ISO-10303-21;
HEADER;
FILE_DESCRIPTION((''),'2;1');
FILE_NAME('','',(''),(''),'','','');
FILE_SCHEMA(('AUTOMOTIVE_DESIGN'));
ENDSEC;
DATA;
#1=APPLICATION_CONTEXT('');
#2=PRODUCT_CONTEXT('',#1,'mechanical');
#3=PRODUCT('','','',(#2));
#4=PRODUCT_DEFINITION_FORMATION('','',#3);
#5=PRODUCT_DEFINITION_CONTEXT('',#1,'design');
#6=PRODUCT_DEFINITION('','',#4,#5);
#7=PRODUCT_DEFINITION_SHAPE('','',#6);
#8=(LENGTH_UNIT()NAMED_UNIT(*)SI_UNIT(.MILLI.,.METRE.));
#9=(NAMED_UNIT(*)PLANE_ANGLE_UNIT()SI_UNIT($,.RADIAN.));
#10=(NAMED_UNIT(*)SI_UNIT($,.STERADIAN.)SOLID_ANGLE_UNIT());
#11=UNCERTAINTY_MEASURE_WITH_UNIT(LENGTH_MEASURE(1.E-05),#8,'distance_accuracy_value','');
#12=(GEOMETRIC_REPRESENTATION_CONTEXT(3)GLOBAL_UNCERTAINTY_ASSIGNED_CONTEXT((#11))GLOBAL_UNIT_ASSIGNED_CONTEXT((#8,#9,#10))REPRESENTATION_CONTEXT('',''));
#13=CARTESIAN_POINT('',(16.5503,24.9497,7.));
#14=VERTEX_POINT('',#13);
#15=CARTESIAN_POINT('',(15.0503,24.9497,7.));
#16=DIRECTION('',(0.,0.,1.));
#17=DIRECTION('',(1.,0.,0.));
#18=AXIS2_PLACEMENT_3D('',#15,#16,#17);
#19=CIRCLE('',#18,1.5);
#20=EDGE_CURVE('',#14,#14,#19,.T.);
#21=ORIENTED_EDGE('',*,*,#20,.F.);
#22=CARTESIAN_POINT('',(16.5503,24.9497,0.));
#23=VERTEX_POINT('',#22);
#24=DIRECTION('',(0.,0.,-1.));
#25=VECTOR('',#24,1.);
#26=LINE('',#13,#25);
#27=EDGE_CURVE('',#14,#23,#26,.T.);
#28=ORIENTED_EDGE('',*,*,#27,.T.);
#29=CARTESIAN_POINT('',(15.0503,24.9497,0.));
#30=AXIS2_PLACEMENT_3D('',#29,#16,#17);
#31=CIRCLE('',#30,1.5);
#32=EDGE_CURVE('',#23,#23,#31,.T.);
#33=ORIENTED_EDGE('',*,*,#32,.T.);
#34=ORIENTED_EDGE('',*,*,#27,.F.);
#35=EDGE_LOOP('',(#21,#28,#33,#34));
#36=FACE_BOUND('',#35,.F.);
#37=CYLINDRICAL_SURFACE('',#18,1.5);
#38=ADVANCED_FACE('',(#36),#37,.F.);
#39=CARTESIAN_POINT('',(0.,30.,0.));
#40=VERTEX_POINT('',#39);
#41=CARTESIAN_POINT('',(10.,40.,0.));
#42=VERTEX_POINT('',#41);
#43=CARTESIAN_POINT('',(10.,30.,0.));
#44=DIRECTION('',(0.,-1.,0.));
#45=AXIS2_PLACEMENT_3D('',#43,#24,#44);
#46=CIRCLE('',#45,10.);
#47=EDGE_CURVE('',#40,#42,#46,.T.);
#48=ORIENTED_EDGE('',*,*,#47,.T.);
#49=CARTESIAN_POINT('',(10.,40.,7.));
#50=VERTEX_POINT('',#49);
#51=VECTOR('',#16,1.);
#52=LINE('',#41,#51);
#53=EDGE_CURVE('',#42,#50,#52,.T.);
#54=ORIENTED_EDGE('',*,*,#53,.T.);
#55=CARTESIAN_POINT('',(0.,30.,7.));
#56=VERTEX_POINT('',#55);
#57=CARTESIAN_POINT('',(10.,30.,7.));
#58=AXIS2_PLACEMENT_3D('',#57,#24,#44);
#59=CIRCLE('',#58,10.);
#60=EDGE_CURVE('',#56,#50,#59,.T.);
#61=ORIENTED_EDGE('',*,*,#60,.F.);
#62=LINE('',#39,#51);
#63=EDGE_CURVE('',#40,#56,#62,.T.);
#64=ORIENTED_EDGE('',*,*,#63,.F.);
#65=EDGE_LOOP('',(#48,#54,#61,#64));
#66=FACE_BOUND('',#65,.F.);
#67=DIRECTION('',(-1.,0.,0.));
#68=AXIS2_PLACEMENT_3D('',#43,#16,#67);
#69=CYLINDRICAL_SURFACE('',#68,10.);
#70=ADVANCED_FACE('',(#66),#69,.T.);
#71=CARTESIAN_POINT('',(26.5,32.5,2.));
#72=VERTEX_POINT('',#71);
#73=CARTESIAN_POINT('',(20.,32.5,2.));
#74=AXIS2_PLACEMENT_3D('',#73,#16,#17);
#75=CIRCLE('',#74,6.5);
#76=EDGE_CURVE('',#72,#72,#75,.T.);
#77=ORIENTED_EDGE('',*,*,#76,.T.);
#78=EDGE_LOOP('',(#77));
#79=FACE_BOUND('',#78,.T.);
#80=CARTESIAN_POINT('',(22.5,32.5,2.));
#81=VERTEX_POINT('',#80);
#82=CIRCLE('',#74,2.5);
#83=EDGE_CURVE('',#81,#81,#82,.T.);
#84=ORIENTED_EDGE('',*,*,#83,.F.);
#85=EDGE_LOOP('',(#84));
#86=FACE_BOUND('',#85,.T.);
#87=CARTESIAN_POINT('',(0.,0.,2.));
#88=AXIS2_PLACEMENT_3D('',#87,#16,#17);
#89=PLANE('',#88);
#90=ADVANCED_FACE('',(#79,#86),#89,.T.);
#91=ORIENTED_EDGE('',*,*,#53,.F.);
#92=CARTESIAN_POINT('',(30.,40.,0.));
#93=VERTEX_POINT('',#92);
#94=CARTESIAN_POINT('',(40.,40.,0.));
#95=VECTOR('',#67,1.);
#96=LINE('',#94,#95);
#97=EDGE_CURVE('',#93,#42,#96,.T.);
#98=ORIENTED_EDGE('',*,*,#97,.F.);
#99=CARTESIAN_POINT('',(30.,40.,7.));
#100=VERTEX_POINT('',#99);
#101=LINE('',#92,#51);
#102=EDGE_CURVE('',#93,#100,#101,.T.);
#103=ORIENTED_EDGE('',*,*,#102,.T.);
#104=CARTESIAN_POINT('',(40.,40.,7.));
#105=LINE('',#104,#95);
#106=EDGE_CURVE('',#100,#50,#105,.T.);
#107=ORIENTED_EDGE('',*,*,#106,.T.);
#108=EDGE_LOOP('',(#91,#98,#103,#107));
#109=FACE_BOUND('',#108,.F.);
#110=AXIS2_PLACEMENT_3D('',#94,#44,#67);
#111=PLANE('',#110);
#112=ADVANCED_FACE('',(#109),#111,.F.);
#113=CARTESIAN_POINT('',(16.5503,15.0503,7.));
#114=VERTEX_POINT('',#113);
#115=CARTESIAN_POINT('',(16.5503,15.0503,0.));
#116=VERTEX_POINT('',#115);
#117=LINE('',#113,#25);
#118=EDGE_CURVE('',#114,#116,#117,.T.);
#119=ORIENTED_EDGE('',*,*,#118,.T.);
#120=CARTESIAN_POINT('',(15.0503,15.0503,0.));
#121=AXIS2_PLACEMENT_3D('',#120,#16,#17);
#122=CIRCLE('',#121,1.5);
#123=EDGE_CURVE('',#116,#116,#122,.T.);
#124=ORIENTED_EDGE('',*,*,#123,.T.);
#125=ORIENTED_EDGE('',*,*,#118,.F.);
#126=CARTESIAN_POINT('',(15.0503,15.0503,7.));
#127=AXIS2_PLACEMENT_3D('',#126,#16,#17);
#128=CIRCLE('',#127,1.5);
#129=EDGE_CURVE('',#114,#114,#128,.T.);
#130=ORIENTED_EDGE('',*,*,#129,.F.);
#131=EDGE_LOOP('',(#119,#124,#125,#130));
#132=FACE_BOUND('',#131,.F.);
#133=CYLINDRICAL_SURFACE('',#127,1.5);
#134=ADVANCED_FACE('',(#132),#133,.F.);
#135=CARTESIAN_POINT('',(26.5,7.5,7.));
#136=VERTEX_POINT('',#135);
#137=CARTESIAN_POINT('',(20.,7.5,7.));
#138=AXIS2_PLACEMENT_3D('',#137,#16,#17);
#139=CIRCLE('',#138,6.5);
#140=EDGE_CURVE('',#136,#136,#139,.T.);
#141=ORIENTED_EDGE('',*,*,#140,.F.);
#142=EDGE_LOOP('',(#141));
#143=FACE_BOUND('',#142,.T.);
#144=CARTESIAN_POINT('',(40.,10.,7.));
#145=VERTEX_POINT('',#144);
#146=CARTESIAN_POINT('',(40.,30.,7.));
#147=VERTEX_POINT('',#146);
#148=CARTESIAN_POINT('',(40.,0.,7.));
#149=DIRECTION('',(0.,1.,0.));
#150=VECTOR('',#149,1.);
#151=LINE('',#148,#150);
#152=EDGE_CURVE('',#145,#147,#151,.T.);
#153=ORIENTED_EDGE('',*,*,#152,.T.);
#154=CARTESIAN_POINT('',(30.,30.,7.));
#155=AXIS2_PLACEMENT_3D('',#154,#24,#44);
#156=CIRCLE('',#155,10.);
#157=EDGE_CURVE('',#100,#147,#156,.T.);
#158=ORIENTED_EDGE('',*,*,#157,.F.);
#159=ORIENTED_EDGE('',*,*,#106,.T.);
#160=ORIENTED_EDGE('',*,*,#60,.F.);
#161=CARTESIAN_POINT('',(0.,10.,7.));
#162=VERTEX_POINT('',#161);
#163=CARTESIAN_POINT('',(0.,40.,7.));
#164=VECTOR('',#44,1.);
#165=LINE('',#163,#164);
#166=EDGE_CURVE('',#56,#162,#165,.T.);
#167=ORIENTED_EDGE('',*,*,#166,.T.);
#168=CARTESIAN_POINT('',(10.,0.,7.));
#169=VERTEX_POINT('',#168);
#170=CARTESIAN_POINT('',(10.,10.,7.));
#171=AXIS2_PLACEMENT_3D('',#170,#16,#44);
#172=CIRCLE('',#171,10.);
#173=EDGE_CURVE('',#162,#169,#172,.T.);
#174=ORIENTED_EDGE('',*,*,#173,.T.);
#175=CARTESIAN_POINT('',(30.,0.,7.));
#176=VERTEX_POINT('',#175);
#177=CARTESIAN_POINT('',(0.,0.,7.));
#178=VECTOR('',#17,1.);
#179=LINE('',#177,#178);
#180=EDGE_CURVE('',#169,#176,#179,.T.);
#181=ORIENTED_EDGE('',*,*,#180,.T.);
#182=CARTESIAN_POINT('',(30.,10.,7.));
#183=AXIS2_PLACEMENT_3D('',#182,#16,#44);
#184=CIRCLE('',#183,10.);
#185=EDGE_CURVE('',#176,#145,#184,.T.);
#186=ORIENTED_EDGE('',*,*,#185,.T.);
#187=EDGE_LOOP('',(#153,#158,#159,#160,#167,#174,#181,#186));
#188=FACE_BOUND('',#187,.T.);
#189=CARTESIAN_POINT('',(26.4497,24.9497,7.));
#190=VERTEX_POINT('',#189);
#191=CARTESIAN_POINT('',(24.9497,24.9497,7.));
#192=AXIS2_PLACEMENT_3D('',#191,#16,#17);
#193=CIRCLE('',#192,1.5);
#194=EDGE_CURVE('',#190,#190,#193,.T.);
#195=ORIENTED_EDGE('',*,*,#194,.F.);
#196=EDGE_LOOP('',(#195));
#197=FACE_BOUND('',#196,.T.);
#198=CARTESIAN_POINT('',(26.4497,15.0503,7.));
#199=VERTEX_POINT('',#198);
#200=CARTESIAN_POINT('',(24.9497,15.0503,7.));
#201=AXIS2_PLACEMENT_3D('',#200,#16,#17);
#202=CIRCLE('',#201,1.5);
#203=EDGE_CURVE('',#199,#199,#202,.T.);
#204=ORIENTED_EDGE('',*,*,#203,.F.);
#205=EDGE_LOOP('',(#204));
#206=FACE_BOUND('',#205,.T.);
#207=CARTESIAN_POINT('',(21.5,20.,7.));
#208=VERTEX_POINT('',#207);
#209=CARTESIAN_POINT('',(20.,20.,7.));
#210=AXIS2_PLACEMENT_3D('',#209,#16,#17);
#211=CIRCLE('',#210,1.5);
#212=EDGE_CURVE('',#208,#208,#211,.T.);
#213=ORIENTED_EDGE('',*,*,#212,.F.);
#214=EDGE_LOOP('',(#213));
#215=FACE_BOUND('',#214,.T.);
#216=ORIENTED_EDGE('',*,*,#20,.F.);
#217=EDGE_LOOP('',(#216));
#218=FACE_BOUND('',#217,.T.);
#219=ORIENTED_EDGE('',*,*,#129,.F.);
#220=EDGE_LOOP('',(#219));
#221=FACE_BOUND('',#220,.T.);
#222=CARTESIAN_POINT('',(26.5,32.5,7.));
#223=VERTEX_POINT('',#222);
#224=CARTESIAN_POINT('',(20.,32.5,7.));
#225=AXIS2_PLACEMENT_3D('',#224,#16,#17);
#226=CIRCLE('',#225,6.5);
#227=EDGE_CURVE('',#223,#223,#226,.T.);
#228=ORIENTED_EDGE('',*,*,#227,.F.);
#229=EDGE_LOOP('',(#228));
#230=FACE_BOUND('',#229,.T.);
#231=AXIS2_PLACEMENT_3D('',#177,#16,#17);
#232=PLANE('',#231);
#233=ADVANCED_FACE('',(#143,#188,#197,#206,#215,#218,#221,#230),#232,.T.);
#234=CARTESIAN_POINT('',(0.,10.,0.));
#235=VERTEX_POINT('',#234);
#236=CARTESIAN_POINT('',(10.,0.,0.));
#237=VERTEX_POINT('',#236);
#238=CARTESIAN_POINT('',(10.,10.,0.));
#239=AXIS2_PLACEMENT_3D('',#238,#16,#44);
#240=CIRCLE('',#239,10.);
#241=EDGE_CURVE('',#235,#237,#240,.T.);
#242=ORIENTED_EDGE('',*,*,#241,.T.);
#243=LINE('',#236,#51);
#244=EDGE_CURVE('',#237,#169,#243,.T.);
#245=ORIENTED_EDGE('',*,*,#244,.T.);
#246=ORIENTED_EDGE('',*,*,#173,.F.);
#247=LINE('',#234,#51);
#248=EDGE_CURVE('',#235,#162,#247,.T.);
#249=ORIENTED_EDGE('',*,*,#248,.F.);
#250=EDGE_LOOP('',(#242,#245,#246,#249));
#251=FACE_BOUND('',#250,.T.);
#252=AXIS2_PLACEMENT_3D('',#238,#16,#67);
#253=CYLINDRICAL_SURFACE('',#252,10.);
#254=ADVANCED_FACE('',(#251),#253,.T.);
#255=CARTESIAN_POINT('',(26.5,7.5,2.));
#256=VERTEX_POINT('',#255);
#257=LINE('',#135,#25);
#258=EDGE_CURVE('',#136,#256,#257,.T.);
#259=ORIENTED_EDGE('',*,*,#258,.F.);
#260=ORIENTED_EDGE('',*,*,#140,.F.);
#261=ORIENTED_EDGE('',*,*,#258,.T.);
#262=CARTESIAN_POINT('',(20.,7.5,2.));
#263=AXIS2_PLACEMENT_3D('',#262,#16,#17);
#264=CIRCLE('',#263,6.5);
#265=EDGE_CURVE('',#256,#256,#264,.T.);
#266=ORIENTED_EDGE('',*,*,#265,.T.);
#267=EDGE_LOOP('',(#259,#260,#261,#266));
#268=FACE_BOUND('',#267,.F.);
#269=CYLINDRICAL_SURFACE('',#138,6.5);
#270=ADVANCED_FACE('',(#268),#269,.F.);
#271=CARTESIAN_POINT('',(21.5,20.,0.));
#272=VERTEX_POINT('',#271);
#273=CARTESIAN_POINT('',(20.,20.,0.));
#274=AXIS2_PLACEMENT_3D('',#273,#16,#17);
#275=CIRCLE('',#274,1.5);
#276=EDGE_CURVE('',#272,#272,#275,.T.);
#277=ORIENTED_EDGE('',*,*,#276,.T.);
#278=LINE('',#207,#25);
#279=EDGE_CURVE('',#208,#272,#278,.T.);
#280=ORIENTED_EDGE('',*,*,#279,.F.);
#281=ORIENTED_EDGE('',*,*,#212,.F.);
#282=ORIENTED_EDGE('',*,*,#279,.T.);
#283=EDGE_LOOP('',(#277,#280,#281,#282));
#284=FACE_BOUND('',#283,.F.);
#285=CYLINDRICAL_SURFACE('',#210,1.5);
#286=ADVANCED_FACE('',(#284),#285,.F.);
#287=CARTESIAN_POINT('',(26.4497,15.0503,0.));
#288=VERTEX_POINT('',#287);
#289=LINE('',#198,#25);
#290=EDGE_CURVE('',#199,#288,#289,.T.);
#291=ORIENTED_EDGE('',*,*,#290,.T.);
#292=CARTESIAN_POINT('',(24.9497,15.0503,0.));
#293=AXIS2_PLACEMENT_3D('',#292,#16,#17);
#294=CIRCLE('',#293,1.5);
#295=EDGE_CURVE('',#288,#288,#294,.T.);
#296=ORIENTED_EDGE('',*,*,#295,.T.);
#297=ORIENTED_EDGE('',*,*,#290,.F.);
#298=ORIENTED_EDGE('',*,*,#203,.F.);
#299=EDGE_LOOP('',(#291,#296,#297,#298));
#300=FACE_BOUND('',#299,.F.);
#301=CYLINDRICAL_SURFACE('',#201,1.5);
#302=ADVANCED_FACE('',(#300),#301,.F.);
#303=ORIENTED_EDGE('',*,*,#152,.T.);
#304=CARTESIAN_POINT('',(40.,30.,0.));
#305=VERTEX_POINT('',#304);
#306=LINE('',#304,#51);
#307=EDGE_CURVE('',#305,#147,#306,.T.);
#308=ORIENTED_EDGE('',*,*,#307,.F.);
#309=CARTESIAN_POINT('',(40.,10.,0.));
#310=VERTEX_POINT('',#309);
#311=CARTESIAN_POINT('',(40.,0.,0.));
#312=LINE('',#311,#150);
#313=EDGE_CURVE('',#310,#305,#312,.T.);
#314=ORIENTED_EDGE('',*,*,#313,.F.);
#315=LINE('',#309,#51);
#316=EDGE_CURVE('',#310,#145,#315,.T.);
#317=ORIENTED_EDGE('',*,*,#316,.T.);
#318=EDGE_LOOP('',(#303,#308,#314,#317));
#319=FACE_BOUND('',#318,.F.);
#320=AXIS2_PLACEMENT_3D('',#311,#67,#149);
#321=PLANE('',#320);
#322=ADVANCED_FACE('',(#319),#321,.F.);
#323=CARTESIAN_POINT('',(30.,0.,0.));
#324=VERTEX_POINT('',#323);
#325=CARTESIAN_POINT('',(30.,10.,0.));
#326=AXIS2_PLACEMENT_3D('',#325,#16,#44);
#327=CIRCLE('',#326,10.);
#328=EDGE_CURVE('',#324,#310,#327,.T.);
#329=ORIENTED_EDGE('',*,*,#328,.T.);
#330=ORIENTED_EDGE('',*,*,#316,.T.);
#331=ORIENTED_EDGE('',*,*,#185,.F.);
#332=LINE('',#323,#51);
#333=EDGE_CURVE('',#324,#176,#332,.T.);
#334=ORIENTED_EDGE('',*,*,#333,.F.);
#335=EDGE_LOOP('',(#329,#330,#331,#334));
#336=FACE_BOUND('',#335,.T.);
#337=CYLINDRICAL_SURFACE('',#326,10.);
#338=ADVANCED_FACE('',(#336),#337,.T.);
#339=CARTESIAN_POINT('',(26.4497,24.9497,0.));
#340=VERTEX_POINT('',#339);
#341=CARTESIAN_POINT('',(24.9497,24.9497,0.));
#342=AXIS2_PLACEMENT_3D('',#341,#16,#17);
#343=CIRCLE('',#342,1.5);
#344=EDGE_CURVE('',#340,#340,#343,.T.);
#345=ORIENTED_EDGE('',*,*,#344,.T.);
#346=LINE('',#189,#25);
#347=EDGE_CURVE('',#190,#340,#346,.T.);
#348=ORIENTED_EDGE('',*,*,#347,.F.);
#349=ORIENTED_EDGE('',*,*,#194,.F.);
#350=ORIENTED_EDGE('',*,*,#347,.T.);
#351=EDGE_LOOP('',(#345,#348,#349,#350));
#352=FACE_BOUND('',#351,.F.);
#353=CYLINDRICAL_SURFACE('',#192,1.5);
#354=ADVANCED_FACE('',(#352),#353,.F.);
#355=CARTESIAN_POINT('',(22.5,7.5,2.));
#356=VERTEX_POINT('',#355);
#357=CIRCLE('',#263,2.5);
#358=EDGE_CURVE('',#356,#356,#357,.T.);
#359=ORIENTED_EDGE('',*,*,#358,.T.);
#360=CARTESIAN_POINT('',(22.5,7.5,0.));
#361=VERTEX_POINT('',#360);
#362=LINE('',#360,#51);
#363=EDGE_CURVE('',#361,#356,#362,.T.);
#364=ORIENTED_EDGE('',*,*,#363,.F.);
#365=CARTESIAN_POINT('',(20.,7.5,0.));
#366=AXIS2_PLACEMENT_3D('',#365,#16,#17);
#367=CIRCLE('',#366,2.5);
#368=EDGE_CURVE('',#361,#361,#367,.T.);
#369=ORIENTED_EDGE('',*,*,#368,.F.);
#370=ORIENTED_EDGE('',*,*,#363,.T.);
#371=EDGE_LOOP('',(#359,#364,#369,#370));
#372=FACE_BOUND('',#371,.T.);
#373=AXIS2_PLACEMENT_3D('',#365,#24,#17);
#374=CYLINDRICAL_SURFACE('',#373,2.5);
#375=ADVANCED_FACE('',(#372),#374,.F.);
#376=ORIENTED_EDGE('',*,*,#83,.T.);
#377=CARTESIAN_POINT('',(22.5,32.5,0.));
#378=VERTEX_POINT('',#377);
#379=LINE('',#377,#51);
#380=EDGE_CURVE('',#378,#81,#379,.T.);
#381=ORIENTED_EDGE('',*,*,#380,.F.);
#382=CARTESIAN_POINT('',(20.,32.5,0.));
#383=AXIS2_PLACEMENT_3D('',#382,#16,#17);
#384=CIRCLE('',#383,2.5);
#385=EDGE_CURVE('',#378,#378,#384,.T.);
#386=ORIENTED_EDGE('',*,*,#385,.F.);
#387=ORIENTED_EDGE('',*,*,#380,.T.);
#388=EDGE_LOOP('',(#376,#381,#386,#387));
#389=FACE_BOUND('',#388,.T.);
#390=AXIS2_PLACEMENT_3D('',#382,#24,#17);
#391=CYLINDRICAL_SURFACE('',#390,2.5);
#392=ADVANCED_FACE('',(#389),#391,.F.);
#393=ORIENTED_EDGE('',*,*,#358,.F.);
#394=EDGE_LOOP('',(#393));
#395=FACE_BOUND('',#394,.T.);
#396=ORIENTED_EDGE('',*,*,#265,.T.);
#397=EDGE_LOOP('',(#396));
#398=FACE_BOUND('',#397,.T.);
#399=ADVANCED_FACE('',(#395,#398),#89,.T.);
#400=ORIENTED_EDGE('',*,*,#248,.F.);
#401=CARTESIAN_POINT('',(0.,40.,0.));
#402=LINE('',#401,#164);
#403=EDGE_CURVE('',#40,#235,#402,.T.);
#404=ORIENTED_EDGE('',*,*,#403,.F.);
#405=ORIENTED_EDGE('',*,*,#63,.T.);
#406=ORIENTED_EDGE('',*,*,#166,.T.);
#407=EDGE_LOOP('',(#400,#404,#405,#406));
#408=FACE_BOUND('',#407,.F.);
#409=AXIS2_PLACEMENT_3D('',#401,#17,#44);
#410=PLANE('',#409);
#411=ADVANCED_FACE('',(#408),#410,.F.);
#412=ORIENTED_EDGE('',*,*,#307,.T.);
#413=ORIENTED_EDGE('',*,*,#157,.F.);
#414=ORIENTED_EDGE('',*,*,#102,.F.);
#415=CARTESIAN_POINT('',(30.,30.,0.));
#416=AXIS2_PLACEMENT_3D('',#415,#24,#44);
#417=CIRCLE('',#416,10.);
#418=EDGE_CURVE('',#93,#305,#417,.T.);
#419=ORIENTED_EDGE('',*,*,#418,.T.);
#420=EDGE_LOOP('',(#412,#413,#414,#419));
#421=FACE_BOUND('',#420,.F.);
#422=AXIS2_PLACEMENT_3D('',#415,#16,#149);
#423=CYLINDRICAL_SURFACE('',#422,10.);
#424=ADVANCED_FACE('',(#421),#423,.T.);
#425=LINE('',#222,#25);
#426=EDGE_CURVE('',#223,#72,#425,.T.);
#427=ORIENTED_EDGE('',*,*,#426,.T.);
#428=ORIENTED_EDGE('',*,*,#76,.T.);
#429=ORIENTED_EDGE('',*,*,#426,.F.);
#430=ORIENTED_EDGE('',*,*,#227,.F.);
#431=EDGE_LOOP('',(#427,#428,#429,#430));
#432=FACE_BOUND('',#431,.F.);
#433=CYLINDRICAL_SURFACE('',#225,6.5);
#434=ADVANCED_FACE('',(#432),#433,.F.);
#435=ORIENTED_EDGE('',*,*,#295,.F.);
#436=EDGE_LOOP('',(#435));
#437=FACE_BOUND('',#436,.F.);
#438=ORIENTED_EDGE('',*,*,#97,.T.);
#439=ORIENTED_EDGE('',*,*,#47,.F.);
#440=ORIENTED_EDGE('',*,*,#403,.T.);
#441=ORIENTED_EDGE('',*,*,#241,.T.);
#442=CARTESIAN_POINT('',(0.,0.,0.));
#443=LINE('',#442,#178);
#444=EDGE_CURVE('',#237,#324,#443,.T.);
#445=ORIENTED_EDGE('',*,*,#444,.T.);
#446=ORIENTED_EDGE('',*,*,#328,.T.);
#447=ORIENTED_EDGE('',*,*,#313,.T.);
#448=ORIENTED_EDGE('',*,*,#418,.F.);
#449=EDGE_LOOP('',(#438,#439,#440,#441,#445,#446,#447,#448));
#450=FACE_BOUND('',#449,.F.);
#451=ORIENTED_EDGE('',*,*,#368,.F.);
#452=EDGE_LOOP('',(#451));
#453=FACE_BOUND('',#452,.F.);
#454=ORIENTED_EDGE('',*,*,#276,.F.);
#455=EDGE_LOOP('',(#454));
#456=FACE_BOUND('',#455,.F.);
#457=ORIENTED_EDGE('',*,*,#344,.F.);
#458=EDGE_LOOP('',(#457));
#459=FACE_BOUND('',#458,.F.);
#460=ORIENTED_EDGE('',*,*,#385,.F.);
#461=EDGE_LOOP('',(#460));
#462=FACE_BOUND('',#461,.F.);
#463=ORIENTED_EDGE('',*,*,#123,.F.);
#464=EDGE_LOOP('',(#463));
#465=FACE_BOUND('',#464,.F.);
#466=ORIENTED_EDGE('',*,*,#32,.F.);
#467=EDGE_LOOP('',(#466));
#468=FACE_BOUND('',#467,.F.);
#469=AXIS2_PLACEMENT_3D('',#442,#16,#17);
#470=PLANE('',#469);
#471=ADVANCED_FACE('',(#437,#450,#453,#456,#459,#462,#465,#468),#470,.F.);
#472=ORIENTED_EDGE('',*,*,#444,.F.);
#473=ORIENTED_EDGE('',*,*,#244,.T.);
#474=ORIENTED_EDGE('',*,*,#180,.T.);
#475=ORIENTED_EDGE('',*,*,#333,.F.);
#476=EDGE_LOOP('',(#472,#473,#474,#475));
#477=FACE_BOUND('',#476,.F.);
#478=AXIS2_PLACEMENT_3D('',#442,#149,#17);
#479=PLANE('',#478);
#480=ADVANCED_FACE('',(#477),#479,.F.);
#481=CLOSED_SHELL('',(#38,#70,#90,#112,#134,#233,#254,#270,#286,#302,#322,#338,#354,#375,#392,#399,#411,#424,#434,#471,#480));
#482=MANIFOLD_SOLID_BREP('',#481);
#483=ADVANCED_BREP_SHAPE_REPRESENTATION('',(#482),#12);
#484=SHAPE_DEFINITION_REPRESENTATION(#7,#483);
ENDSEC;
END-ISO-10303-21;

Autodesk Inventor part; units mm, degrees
ref_plane "YZ Plane" through (0, 0, 0) normal (1, 0, 0) x (0, 1, 0)
ref_plane "XZ Plane" through (0, 0, 0) normal (0, 1, 0) x (-1, 0, 0)
ref_plane "XY Plane" through (0, 0, 0) normal (0, 0, 1) x (1, 0, 0)
sketch "Sketch1" plane through (0, 0, 0) normal (0, 0, 1) x (1, 0, 0)
  line L0 (0, 0) -> (40, 0)
  line L1 (40, 0) -> (40, 40)
  line L2 (40, 40) -> (0, 40)
  line L3 (0, 40) -> (0, 0)
  line L4 (20, 32.5) -> (20, 7.5) construction
  circle A0 centre (20, 32.5) radius 2.5
  circle A1 centre (20, 7.5) radius 2.5
  point P0 (20, 20)
  point P1 (40, 20)
  point P2 (20, 40)
  dimension "d0" = 40
  dimension "d1" = 40
  dimension "d2" = 25
  dimension "d3" = 5
  dimension "d4" = 5
extrude "Extrusion1" add sketch "Sketch1" along normal blind 7
sketch "Sketch2" plane through (0, 0, 7) normal (0, 0, 1) x (1, 0, 0)
  circle A0 centre (20, 32.5) radius 2.5 projected
  circle A1 centre (20, 7.5) radius 2.5 projected
  circle A2 centre (20, 32.5) radius 6.5
  circle A3 centre (20, 7.5) radius 6.5
  point P0 (0, 0)
  dimension "d7" = 13
  dimension "d8" = 13
extrude "Extrusion2" cut sketch "Sketch2" against normal blind 5
sketch "Sketch3" plane through (0, 0, 7) normal (0, 0, 1) x (1, 0, 0)
  circle A0 centre (20, 20) radius 1.5
  line L0 (40, 40) -> (0, 40) projected
  line L1 (40, 0) -> (40, 40) projected
  circle A1 centre (24.9497, 24.9497) radius 1.5
  line L2 (20, 20) -> (24.9497, 24.9497) construction
  line L3 (20, 20) -> (27, 20) construction
  circle A2 centre (15.0503, 24.9497) radius 1.5
  circle A3 centre (15.0503, 15.0503) radius 1.5
  circle A4 centre (24.9497, 15.0503) radius 1.5
  point P0 (0, 0)
  point P1 (20, 40)
  point P2 (40, 20)
  dimension "d11" = 3
  dimension "d12" = 3
  dimension "d13" = 45
  dimension "d14" = 7
  dimension "d17" = 360
extrude "Extrusion3" cut sketch "Sketch3" against normal through all
fillet "Fillet1" radius 10 4 edges at (40, 40, 3.5) (40, 0, 3.5) (0, 40, 3.5) (0, 0, 3.5)
properties part number "AA047" material "ABS Plastic"
